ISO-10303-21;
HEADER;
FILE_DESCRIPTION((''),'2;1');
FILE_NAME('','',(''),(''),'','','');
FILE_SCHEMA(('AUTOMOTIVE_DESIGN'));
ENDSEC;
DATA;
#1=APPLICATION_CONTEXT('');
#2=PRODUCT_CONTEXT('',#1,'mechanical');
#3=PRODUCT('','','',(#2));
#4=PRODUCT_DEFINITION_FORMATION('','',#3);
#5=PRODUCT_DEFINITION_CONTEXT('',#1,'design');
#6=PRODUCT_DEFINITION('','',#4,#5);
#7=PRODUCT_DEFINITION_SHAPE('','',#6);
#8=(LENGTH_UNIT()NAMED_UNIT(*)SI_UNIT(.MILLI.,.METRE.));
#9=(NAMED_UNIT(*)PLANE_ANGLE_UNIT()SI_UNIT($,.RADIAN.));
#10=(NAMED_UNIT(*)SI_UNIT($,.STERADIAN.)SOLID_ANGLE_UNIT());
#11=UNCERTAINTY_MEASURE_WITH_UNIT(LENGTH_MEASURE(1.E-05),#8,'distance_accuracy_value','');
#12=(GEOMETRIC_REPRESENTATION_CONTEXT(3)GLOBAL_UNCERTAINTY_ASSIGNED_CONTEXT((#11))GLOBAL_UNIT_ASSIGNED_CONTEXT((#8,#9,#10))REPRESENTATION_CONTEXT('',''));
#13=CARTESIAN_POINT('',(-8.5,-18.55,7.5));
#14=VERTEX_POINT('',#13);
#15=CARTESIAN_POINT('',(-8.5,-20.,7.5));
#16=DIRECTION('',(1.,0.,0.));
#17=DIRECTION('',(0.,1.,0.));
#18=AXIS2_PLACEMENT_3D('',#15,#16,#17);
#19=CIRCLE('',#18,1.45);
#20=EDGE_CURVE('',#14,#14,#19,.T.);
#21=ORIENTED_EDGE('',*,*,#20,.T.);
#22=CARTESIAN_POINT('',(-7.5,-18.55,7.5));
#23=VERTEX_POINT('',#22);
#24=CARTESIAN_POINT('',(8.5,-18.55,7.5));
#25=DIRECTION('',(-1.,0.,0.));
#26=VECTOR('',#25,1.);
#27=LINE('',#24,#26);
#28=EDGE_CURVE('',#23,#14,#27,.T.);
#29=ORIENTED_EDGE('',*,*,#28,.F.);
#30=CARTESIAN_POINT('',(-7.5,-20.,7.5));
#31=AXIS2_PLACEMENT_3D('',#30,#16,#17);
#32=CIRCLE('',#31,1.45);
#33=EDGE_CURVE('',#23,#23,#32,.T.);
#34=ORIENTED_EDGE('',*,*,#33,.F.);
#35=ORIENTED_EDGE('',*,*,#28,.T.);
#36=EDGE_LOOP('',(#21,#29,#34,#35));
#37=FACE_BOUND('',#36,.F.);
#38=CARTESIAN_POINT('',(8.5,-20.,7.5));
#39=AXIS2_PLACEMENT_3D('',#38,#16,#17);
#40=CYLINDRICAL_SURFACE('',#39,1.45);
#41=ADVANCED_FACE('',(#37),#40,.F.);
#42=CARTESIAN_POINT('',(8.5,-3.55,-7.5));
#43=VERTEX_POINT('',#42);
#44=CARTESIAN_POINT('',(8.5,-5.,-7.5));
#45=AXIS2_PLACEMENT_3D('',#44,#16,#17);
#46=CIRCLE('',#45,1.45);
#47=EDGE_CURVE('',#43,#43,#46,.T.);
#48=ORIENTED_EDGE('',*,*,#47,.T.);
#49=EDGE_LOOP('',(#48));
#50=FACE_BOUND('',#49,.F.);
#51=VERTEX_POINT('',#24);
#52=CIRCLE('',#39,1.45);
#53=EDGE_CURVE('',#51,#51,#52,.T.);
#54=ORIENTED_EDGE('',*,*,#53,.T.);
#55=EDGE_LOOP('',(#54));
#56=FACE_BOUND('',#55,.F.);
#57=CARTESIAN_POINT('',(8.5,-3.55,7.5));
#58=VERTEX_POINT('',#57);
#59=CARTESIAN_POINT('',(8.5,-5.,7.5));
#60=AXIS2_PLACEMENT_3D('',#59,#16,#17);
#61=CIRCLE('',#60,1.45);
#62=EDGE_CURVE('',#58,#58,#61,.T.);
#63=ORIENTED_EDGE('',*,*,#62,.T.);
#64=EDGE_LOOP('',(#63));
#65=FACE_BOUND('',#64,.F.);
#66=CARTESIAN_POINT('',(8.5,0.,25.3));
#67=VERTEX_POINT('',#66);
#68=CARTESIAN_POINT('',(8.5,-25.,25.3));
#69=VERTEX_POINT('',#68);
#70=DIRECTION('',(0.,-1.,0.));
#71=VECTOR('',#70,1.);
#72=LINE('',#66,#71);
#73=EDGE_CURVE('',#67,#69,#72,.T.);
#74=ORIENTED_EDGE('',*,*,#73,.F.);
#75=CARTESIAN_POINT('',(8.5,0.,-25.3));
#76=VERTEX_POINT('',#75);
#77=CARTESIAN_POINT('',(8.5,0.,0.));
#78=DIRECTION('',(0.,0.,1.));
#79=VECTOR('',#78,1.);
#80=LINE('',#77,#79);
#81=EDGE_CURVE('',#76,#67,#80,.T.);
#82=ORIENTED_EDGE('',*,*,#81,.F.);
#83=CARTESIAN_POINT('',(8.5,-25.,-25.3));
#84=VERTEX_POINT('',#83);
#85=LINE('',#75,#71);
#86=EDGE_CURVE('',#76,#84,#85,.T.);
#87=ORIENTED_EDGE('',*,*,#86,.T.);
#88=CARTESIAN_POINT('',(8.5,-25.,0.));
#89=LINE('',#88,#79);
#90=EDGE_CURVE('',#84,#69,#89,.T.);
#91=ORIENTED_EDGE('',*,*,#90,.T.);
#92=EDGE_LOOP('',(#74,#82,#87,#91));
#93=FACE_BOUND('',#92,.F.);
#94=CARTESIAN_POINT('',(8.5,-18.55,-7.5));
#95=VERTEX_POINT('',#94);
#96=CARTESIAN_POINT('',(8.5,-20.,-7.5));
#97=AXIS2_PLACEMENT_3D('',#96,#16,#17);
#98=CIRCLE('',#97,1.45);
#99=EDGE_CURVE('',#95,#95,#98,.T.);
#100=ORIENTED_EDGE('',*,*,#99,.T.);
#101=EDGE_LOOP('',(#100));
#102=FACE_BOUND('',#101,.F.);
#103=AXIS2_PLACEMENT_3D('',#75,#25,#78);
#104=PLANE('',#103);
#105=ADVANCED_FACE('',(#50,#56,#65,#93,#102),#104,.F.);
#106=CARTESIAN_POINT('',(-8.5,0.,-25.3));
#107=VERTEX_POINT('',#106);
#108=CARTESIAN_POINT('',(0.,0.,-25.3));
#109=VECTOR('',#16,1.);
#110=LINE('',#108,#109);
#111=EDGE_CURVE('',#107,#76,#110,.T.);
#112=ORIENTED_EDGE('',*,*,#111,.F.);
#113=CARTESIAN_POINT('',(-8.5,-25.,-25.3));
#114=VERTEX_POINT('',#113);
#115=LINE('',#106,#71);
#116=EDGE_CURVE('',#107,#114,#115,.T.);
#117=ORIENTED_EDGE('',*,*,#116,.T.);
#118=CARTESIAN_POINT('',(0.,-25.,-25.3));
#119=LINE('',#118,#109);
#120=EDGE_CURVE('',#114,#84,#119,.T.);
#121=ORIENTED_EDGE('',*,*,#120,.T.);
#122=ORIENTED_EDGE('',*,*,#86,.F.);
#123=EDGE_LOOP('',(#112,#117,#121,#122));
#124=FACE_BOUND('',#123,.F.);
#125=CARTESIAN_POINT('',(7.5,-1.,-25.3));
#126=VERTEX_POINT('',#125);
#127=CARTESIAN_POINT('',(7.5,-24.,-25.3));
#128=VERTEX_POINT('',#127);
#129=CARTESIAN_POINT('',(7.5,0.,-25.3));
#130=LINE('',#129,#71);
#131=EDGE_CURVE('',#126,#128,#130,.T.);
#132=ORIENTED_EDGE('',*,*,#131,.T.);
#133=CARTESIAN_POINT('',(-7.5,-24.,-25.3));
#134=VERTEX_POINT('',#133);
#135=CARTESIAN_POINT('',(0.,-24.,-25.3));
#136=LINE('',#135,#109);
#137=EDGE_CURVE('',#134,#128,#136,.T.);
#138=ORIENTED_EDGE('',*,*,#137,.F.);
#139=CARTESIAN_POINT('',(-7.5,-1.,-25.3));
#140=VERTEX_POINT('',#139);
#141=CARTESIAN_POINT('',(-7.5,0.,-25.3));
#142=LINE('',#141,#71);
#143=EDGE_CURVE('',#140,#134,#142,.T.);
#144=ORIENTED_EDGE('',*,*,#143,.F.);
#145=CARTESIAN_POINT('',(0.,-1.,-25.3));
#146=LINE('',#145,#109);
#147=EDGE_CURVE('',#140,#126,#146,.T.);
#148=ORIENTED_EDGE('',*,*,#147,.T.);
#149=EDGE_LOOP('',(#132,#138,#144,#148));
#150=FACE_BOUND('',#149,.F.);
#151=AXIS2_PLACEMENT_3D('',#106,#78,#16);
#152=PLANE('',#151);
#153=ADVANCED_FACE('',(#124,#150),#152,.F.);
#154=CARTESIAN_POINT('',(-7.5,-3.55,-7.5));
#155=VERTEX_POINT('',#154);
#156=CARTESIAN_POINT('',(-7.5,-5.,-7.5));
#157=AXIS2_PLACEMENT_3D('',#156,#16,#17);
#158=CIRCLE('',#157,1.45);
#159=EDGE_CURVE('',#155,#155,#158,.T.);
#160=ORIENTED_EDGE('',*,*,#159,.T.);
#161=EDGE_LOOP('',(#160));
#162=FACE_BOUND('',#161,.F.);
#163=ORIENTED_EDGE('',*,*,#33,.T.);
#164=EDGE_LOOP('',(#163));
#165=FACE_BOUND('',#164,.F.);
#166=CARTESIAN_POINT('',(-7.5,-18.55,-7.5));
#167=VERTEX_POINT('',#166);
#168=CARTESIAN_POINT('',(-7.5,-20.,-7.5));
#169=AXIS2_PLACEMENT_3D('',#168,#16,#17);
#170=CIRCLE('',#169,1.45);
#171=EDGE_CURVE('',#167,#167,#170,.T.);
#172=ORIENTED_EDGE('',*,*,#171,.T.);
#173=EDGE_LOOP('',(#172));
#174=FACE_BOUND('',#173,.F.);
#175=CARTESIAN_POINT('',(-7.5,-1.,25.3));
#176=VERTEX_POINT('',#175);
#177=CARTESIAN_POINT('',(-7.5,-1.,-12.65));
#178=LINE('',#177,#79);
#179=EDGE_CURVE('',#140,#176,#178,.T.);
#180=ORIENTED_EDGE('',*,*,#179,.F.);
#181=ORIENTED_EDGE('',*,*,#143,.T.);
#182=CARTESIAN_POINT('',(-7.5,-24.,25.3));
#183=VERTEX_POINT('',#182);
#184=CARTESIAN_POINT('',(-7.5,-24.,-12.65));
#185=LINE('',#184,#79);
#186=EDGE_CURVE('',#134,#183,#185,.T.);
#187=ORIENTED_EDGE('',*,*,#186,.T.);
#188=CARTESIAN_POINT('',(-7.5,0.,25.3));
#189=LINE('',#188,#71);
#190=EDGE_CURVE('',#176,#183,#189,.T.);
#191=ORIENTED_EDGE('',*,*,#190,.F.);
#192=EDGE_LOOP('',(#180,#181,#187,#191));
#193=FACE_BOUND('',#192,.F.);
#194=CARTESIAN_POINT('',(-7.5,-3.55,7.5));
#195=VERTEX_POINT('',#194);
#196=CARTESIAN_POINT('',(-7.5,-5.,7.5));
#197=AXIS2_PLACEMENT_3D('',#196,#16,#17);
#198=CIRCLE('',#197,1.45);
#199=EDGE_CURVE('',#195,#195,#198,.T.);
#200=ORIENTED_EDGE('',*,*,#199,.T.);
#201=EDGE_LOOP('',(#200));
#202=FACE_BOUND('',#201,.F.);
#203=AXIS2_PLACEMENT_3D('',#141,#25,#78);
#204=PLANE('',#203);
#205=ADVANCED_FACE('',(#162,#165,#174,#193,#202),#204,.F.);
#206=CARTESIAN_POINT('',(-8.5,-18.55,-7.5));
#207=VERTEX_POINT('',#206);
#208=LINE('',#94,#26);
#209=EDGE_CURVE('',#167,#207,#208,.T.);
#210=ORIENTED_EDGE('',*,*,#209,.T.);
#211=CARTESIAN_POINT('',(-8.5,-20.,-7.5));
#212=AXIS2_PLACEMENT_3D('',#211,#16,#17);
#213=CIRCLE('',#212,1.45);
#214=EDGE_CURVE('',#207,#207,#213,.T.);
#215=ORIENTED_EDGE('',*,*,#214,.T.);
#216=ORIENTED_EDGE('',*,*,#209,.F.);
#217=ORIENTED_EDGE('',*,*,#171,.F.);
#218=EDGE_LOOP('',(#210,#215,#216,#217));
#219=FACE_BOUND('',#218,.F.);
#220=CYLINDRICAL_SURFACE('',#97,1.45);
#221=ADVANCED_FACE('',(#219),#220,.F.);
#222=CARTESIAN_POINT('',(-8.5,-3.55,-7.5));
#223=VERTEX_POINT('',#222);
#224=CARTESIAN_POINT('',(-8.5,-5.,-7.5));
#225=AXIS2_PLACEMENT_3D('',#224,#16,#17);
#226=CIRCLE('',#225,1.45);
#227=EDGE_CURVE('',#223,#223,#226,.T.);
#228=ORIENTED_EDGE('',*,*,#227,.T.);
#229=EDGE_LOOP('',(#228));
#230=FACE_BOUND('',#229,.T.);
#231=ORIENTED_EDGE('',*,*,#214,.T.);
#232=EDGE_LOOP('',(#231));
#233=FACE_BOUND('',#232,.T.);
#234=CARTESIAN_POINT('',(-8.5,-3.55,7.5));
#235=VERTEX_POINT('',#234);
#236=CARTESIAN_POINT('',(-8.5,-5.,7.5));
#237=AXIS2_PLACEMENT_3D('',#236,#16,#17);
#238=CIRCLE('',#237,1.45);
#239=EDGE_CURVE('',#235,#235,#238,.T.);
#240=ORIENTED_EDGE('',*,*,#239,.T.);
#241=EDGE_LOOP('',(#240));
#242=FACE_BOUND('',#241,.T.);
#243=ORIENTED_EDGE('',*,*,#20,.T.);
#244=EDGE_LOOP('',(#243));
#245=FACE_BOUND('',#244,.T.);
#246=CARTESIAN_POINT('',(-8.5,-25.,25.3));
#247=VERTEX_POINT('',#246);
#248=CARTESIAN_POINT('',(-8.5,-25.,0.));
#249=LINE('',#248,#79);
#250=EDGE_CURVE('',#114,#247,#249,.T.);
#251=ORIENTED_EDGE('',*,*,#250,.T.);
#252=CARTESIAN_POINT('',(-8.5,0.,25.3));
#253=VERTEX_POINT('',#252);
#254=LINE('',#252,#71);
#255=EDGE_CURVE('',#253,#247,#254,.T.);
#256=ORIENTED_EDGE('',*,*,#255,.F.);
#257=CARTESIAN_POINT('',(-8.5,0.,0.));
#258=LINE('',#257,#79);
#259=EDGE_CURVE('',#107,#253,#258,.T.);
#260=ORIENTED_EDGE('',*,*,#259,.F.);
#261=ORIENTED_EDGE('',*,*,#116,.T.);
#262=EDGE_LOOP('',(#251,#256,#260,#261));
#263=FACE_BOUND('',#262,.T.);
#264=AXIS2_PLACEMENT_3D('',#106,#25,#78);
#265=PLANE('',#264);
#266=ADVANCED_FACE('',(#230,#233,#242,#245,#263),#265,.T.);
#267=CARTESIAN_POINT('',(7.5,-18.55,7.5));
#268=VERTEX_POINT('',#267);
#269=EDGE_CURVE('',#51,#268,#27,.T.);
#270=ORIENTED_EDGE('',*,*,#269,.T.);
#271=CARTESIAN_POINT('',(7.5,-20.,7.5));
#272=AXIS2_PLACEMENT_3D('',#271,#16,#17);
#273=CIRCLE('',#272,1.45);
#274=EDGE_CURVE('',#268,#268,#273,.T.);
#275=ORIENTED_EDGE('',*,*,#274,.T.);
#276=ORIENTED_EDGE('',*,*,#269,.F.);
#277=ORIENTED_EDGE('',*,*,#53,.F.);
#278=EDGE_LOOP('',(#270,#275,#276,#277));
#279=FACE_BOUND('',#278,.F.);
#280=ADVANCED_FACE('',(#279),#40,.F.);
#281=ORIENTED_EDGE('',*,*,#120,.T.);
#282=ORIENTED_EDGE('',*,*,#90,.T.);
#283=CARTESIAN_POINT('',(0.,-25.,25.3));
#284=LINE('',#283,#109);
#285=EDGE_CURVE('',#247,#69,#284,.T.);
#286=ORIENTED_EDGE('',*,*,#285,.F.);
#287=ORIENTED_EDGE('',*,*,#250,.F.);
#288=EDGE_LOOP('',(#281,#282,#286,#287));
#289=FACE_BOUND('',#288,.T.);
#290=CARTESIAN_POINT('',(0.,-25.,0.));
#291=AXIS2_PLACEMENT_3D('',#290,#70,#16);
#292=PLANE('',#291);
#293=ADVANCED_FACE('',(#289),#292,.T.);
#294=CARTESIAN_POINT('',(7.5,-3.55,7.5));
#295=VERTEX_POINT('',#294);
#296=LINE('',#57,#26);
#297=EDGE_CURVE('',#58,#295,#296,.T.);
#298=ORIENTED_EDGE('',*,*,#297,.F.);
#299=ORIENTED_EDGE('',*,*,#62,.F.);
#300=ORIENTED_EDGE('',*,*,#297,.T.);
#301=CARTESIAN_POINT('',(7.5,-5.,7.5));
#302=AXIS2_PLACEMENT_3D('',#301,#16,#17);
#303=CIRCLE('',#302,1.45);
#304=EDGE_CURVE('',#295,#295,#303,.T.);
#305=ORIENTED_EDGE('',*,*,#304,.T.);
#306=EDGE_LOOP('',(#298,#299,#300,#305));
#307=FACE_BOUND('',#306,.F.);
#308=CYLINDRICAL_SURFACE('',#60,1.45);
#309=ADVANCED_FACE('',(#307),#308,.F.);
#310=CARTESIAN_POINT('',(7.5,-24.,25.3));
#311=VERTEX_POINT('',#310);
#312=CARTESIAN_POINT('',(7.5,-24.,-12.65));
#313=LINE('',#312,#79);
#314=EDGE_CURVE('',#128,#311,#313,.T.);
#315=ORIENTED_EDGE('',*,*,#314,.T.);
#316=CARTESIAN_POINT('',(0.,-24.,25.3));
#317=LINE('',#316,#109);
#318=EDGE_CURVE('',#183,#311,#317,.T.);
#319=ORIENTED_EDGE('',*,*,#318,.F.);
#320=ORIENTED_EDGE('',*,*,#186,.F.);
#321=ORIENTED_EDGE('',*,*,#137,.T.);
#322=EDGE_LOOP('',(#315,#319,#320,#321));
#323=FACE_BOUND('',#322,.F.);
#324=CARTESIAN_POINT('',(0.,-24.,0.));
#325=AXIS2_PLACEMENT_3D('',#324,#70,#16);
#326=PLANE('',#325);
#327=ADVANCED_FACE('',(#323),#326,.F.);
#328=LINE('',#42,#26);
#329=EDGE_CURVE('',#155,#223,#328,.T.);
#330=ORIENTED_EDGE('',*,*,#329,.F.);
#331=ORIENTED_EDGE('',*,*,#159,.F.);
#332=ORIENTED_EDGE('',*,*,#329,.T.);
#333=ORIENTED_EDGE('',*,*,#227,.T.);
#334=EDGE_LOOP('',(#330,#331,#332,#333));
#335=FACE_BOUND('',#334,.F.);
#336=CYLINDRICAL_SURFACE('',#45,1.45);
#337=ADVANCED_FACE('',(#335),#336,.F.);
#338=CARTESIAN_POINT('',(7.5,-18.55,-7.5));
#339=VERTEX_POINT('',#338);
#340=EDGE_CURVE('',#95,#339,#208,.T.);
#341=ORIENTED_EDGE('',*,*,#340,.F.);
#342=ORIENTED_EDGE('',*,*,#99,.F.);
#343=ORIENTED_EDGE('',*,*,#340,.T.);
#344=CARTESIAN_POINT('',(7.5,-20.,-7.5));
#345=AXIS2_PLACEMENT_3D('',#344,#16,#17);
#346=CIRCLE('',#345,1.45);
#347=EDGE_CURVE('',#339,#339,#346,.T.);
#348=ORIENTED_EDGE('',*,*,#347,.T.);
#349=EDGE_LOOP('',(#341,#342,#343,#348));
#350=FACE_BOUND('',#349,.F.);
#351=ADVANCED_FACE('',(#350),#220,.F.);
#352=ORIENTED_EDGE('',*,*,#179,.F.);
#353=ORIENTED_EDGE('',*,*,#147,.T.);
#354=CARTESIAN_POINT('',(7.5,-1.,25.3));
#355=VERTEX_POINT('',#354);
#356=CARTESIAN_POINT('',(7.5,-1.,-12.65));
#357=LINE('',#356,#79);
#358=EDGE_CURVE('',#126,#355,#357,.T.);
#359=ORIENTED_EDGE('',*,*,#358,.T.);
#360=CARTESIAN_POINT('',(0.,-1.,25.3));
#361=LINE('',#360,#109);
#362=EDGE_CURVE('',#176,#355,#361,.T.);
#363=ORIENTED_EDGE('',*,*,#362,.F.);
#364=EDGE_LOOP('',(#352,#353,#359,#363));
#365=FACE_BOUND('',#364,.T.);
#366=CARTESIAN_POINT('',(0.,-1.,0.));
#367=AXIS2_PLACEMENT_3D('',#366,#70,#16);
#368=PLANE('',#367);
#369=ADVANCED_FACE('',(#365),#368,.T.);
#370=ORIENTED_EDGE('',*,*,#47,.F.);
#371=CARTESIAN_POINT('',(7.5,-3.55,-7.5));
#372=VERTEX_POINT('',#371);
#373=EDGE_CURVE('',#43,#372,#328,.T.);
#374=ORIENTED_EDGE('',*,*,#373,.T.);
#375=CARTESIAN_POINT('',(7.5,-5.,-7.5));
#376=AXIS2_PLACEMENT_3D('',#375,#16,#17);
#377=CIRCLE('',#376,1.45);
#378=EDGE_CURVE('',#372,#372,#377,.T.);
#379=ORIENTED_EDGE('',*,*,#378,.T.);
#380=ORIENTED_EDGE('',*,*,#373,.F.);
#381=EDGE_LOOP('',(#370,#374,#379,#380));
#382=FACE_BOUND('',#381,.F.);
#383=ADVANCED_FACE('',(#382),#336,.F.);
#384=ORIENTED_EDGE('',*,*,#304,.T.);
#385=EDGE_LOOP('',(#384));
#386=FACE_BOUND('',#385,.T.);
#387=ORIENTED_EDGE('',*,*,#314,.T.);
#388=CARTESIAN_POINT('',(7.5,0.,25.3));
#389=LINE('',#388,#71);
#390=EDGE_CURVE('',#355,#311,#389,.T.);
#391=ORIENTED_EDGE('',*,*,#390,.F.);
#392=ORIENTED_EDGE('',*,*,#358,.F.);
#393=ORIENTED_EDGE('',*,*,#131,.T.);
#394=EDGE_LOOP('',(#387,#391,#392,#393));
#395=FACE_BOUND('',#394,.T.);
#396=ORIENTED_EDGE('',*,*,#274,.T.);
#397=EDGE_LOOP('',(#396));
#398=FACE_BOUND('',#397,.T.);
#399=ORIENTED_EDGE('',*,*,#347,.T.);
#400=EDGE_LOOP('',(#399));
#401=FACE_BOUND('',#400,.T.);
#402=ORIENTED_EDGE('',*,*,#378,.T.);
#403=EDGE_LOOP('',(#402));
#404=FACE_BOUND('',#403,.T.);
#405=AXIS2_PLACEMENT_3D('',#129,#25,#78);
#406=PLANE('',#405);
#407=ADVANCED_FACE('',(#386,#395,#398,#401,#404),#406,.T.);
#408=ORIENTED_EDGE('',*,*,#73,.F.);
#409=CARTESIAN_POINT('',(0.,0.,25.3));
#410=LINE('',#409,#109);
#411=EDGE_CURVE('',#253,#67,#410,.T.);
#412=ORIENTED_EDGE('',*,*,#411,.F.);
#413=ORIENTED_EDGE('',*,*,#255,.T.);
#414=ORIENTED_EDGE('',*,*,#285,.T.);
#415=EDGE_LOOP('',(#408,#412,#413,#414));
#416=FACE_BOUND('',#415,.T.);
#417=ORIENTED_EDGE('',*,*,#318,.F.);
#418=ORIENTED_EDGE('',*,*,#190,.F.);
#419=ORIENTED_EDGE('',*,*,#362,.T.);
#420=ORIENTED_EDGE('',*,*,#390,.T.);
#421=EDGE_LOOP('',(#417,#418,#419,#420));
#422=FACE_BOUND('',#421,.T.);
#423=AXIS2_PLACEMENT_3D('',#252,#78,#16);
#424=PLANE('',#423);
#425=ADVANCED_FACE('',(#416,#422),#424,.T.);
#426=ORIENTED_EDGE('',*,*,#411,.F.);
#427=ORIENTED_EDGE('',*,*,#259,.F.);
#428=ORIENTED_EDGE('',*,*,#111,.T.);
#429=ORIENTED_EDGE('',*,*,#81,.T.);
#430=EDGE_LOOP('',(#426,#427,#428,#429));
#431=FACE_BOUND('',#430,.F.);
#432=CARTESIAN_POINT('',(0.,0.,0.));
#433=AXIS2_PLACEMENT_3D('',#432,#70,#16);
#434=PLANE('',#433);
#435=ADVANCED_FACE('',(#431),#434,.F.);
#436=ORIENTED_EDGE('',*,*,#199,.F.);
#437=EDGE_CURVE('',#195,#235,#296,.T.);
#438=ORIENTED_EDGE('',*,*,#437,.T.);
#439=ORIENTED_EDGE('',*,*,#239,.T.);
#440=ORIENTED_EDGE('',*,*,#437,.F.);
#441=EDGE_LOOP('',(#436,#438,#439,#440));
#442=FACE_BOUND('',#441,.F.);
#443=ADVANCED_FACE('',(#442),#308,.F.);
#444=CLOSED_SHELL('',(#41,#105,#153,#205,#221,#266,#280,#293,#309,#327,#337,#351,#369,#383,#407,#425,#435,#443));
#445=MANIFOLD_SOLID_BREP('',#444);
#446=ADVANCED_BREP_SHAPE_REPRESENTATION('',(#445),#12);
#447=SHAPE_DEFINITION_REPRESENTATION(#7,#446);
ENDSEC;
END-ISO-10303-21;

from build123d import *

# Parameters (mm, degrees)
F0_W     = 17
F0_H     = 50.6
F1_DEPTH = 25
F2_T     = -1
F3_R     = 1.45
F4_DEPTH = 25


with BuildPart() as f1:
    # F0 (on Front) → F1 (new body)
    with BuildSketch(Plane.XZ):
        Rectangle(F0_W, F0_H)
    extrude(amount=F1_DEPTH)

    # F2
    f2_openings = [f1.faces().sort_by_distance(p)[0] for p in [
        (0, -12.5, 25.3),
        (0, -12.5, -25.3),
    ]]
    offset(amount=F2_T, openings=f2_openings)

    # F3 (on face) → F4 (cut)
    with BuildSketch(Plane.YZ.offset(8.5)):
        with Locations((-5, 7.5)):
            Circle(F3_R)
        with Locations((-20, 7.5)):
            Circle(F3_R)
        with Locations((-20, -7.5)):
            Circle(F3_R)
        with Locations((-5, -7.5)):
            Circle(F3_R)
    extrude(amount=-F4_DEPTH, mode=Mode.SUBTRACT)


solid = f1.part
